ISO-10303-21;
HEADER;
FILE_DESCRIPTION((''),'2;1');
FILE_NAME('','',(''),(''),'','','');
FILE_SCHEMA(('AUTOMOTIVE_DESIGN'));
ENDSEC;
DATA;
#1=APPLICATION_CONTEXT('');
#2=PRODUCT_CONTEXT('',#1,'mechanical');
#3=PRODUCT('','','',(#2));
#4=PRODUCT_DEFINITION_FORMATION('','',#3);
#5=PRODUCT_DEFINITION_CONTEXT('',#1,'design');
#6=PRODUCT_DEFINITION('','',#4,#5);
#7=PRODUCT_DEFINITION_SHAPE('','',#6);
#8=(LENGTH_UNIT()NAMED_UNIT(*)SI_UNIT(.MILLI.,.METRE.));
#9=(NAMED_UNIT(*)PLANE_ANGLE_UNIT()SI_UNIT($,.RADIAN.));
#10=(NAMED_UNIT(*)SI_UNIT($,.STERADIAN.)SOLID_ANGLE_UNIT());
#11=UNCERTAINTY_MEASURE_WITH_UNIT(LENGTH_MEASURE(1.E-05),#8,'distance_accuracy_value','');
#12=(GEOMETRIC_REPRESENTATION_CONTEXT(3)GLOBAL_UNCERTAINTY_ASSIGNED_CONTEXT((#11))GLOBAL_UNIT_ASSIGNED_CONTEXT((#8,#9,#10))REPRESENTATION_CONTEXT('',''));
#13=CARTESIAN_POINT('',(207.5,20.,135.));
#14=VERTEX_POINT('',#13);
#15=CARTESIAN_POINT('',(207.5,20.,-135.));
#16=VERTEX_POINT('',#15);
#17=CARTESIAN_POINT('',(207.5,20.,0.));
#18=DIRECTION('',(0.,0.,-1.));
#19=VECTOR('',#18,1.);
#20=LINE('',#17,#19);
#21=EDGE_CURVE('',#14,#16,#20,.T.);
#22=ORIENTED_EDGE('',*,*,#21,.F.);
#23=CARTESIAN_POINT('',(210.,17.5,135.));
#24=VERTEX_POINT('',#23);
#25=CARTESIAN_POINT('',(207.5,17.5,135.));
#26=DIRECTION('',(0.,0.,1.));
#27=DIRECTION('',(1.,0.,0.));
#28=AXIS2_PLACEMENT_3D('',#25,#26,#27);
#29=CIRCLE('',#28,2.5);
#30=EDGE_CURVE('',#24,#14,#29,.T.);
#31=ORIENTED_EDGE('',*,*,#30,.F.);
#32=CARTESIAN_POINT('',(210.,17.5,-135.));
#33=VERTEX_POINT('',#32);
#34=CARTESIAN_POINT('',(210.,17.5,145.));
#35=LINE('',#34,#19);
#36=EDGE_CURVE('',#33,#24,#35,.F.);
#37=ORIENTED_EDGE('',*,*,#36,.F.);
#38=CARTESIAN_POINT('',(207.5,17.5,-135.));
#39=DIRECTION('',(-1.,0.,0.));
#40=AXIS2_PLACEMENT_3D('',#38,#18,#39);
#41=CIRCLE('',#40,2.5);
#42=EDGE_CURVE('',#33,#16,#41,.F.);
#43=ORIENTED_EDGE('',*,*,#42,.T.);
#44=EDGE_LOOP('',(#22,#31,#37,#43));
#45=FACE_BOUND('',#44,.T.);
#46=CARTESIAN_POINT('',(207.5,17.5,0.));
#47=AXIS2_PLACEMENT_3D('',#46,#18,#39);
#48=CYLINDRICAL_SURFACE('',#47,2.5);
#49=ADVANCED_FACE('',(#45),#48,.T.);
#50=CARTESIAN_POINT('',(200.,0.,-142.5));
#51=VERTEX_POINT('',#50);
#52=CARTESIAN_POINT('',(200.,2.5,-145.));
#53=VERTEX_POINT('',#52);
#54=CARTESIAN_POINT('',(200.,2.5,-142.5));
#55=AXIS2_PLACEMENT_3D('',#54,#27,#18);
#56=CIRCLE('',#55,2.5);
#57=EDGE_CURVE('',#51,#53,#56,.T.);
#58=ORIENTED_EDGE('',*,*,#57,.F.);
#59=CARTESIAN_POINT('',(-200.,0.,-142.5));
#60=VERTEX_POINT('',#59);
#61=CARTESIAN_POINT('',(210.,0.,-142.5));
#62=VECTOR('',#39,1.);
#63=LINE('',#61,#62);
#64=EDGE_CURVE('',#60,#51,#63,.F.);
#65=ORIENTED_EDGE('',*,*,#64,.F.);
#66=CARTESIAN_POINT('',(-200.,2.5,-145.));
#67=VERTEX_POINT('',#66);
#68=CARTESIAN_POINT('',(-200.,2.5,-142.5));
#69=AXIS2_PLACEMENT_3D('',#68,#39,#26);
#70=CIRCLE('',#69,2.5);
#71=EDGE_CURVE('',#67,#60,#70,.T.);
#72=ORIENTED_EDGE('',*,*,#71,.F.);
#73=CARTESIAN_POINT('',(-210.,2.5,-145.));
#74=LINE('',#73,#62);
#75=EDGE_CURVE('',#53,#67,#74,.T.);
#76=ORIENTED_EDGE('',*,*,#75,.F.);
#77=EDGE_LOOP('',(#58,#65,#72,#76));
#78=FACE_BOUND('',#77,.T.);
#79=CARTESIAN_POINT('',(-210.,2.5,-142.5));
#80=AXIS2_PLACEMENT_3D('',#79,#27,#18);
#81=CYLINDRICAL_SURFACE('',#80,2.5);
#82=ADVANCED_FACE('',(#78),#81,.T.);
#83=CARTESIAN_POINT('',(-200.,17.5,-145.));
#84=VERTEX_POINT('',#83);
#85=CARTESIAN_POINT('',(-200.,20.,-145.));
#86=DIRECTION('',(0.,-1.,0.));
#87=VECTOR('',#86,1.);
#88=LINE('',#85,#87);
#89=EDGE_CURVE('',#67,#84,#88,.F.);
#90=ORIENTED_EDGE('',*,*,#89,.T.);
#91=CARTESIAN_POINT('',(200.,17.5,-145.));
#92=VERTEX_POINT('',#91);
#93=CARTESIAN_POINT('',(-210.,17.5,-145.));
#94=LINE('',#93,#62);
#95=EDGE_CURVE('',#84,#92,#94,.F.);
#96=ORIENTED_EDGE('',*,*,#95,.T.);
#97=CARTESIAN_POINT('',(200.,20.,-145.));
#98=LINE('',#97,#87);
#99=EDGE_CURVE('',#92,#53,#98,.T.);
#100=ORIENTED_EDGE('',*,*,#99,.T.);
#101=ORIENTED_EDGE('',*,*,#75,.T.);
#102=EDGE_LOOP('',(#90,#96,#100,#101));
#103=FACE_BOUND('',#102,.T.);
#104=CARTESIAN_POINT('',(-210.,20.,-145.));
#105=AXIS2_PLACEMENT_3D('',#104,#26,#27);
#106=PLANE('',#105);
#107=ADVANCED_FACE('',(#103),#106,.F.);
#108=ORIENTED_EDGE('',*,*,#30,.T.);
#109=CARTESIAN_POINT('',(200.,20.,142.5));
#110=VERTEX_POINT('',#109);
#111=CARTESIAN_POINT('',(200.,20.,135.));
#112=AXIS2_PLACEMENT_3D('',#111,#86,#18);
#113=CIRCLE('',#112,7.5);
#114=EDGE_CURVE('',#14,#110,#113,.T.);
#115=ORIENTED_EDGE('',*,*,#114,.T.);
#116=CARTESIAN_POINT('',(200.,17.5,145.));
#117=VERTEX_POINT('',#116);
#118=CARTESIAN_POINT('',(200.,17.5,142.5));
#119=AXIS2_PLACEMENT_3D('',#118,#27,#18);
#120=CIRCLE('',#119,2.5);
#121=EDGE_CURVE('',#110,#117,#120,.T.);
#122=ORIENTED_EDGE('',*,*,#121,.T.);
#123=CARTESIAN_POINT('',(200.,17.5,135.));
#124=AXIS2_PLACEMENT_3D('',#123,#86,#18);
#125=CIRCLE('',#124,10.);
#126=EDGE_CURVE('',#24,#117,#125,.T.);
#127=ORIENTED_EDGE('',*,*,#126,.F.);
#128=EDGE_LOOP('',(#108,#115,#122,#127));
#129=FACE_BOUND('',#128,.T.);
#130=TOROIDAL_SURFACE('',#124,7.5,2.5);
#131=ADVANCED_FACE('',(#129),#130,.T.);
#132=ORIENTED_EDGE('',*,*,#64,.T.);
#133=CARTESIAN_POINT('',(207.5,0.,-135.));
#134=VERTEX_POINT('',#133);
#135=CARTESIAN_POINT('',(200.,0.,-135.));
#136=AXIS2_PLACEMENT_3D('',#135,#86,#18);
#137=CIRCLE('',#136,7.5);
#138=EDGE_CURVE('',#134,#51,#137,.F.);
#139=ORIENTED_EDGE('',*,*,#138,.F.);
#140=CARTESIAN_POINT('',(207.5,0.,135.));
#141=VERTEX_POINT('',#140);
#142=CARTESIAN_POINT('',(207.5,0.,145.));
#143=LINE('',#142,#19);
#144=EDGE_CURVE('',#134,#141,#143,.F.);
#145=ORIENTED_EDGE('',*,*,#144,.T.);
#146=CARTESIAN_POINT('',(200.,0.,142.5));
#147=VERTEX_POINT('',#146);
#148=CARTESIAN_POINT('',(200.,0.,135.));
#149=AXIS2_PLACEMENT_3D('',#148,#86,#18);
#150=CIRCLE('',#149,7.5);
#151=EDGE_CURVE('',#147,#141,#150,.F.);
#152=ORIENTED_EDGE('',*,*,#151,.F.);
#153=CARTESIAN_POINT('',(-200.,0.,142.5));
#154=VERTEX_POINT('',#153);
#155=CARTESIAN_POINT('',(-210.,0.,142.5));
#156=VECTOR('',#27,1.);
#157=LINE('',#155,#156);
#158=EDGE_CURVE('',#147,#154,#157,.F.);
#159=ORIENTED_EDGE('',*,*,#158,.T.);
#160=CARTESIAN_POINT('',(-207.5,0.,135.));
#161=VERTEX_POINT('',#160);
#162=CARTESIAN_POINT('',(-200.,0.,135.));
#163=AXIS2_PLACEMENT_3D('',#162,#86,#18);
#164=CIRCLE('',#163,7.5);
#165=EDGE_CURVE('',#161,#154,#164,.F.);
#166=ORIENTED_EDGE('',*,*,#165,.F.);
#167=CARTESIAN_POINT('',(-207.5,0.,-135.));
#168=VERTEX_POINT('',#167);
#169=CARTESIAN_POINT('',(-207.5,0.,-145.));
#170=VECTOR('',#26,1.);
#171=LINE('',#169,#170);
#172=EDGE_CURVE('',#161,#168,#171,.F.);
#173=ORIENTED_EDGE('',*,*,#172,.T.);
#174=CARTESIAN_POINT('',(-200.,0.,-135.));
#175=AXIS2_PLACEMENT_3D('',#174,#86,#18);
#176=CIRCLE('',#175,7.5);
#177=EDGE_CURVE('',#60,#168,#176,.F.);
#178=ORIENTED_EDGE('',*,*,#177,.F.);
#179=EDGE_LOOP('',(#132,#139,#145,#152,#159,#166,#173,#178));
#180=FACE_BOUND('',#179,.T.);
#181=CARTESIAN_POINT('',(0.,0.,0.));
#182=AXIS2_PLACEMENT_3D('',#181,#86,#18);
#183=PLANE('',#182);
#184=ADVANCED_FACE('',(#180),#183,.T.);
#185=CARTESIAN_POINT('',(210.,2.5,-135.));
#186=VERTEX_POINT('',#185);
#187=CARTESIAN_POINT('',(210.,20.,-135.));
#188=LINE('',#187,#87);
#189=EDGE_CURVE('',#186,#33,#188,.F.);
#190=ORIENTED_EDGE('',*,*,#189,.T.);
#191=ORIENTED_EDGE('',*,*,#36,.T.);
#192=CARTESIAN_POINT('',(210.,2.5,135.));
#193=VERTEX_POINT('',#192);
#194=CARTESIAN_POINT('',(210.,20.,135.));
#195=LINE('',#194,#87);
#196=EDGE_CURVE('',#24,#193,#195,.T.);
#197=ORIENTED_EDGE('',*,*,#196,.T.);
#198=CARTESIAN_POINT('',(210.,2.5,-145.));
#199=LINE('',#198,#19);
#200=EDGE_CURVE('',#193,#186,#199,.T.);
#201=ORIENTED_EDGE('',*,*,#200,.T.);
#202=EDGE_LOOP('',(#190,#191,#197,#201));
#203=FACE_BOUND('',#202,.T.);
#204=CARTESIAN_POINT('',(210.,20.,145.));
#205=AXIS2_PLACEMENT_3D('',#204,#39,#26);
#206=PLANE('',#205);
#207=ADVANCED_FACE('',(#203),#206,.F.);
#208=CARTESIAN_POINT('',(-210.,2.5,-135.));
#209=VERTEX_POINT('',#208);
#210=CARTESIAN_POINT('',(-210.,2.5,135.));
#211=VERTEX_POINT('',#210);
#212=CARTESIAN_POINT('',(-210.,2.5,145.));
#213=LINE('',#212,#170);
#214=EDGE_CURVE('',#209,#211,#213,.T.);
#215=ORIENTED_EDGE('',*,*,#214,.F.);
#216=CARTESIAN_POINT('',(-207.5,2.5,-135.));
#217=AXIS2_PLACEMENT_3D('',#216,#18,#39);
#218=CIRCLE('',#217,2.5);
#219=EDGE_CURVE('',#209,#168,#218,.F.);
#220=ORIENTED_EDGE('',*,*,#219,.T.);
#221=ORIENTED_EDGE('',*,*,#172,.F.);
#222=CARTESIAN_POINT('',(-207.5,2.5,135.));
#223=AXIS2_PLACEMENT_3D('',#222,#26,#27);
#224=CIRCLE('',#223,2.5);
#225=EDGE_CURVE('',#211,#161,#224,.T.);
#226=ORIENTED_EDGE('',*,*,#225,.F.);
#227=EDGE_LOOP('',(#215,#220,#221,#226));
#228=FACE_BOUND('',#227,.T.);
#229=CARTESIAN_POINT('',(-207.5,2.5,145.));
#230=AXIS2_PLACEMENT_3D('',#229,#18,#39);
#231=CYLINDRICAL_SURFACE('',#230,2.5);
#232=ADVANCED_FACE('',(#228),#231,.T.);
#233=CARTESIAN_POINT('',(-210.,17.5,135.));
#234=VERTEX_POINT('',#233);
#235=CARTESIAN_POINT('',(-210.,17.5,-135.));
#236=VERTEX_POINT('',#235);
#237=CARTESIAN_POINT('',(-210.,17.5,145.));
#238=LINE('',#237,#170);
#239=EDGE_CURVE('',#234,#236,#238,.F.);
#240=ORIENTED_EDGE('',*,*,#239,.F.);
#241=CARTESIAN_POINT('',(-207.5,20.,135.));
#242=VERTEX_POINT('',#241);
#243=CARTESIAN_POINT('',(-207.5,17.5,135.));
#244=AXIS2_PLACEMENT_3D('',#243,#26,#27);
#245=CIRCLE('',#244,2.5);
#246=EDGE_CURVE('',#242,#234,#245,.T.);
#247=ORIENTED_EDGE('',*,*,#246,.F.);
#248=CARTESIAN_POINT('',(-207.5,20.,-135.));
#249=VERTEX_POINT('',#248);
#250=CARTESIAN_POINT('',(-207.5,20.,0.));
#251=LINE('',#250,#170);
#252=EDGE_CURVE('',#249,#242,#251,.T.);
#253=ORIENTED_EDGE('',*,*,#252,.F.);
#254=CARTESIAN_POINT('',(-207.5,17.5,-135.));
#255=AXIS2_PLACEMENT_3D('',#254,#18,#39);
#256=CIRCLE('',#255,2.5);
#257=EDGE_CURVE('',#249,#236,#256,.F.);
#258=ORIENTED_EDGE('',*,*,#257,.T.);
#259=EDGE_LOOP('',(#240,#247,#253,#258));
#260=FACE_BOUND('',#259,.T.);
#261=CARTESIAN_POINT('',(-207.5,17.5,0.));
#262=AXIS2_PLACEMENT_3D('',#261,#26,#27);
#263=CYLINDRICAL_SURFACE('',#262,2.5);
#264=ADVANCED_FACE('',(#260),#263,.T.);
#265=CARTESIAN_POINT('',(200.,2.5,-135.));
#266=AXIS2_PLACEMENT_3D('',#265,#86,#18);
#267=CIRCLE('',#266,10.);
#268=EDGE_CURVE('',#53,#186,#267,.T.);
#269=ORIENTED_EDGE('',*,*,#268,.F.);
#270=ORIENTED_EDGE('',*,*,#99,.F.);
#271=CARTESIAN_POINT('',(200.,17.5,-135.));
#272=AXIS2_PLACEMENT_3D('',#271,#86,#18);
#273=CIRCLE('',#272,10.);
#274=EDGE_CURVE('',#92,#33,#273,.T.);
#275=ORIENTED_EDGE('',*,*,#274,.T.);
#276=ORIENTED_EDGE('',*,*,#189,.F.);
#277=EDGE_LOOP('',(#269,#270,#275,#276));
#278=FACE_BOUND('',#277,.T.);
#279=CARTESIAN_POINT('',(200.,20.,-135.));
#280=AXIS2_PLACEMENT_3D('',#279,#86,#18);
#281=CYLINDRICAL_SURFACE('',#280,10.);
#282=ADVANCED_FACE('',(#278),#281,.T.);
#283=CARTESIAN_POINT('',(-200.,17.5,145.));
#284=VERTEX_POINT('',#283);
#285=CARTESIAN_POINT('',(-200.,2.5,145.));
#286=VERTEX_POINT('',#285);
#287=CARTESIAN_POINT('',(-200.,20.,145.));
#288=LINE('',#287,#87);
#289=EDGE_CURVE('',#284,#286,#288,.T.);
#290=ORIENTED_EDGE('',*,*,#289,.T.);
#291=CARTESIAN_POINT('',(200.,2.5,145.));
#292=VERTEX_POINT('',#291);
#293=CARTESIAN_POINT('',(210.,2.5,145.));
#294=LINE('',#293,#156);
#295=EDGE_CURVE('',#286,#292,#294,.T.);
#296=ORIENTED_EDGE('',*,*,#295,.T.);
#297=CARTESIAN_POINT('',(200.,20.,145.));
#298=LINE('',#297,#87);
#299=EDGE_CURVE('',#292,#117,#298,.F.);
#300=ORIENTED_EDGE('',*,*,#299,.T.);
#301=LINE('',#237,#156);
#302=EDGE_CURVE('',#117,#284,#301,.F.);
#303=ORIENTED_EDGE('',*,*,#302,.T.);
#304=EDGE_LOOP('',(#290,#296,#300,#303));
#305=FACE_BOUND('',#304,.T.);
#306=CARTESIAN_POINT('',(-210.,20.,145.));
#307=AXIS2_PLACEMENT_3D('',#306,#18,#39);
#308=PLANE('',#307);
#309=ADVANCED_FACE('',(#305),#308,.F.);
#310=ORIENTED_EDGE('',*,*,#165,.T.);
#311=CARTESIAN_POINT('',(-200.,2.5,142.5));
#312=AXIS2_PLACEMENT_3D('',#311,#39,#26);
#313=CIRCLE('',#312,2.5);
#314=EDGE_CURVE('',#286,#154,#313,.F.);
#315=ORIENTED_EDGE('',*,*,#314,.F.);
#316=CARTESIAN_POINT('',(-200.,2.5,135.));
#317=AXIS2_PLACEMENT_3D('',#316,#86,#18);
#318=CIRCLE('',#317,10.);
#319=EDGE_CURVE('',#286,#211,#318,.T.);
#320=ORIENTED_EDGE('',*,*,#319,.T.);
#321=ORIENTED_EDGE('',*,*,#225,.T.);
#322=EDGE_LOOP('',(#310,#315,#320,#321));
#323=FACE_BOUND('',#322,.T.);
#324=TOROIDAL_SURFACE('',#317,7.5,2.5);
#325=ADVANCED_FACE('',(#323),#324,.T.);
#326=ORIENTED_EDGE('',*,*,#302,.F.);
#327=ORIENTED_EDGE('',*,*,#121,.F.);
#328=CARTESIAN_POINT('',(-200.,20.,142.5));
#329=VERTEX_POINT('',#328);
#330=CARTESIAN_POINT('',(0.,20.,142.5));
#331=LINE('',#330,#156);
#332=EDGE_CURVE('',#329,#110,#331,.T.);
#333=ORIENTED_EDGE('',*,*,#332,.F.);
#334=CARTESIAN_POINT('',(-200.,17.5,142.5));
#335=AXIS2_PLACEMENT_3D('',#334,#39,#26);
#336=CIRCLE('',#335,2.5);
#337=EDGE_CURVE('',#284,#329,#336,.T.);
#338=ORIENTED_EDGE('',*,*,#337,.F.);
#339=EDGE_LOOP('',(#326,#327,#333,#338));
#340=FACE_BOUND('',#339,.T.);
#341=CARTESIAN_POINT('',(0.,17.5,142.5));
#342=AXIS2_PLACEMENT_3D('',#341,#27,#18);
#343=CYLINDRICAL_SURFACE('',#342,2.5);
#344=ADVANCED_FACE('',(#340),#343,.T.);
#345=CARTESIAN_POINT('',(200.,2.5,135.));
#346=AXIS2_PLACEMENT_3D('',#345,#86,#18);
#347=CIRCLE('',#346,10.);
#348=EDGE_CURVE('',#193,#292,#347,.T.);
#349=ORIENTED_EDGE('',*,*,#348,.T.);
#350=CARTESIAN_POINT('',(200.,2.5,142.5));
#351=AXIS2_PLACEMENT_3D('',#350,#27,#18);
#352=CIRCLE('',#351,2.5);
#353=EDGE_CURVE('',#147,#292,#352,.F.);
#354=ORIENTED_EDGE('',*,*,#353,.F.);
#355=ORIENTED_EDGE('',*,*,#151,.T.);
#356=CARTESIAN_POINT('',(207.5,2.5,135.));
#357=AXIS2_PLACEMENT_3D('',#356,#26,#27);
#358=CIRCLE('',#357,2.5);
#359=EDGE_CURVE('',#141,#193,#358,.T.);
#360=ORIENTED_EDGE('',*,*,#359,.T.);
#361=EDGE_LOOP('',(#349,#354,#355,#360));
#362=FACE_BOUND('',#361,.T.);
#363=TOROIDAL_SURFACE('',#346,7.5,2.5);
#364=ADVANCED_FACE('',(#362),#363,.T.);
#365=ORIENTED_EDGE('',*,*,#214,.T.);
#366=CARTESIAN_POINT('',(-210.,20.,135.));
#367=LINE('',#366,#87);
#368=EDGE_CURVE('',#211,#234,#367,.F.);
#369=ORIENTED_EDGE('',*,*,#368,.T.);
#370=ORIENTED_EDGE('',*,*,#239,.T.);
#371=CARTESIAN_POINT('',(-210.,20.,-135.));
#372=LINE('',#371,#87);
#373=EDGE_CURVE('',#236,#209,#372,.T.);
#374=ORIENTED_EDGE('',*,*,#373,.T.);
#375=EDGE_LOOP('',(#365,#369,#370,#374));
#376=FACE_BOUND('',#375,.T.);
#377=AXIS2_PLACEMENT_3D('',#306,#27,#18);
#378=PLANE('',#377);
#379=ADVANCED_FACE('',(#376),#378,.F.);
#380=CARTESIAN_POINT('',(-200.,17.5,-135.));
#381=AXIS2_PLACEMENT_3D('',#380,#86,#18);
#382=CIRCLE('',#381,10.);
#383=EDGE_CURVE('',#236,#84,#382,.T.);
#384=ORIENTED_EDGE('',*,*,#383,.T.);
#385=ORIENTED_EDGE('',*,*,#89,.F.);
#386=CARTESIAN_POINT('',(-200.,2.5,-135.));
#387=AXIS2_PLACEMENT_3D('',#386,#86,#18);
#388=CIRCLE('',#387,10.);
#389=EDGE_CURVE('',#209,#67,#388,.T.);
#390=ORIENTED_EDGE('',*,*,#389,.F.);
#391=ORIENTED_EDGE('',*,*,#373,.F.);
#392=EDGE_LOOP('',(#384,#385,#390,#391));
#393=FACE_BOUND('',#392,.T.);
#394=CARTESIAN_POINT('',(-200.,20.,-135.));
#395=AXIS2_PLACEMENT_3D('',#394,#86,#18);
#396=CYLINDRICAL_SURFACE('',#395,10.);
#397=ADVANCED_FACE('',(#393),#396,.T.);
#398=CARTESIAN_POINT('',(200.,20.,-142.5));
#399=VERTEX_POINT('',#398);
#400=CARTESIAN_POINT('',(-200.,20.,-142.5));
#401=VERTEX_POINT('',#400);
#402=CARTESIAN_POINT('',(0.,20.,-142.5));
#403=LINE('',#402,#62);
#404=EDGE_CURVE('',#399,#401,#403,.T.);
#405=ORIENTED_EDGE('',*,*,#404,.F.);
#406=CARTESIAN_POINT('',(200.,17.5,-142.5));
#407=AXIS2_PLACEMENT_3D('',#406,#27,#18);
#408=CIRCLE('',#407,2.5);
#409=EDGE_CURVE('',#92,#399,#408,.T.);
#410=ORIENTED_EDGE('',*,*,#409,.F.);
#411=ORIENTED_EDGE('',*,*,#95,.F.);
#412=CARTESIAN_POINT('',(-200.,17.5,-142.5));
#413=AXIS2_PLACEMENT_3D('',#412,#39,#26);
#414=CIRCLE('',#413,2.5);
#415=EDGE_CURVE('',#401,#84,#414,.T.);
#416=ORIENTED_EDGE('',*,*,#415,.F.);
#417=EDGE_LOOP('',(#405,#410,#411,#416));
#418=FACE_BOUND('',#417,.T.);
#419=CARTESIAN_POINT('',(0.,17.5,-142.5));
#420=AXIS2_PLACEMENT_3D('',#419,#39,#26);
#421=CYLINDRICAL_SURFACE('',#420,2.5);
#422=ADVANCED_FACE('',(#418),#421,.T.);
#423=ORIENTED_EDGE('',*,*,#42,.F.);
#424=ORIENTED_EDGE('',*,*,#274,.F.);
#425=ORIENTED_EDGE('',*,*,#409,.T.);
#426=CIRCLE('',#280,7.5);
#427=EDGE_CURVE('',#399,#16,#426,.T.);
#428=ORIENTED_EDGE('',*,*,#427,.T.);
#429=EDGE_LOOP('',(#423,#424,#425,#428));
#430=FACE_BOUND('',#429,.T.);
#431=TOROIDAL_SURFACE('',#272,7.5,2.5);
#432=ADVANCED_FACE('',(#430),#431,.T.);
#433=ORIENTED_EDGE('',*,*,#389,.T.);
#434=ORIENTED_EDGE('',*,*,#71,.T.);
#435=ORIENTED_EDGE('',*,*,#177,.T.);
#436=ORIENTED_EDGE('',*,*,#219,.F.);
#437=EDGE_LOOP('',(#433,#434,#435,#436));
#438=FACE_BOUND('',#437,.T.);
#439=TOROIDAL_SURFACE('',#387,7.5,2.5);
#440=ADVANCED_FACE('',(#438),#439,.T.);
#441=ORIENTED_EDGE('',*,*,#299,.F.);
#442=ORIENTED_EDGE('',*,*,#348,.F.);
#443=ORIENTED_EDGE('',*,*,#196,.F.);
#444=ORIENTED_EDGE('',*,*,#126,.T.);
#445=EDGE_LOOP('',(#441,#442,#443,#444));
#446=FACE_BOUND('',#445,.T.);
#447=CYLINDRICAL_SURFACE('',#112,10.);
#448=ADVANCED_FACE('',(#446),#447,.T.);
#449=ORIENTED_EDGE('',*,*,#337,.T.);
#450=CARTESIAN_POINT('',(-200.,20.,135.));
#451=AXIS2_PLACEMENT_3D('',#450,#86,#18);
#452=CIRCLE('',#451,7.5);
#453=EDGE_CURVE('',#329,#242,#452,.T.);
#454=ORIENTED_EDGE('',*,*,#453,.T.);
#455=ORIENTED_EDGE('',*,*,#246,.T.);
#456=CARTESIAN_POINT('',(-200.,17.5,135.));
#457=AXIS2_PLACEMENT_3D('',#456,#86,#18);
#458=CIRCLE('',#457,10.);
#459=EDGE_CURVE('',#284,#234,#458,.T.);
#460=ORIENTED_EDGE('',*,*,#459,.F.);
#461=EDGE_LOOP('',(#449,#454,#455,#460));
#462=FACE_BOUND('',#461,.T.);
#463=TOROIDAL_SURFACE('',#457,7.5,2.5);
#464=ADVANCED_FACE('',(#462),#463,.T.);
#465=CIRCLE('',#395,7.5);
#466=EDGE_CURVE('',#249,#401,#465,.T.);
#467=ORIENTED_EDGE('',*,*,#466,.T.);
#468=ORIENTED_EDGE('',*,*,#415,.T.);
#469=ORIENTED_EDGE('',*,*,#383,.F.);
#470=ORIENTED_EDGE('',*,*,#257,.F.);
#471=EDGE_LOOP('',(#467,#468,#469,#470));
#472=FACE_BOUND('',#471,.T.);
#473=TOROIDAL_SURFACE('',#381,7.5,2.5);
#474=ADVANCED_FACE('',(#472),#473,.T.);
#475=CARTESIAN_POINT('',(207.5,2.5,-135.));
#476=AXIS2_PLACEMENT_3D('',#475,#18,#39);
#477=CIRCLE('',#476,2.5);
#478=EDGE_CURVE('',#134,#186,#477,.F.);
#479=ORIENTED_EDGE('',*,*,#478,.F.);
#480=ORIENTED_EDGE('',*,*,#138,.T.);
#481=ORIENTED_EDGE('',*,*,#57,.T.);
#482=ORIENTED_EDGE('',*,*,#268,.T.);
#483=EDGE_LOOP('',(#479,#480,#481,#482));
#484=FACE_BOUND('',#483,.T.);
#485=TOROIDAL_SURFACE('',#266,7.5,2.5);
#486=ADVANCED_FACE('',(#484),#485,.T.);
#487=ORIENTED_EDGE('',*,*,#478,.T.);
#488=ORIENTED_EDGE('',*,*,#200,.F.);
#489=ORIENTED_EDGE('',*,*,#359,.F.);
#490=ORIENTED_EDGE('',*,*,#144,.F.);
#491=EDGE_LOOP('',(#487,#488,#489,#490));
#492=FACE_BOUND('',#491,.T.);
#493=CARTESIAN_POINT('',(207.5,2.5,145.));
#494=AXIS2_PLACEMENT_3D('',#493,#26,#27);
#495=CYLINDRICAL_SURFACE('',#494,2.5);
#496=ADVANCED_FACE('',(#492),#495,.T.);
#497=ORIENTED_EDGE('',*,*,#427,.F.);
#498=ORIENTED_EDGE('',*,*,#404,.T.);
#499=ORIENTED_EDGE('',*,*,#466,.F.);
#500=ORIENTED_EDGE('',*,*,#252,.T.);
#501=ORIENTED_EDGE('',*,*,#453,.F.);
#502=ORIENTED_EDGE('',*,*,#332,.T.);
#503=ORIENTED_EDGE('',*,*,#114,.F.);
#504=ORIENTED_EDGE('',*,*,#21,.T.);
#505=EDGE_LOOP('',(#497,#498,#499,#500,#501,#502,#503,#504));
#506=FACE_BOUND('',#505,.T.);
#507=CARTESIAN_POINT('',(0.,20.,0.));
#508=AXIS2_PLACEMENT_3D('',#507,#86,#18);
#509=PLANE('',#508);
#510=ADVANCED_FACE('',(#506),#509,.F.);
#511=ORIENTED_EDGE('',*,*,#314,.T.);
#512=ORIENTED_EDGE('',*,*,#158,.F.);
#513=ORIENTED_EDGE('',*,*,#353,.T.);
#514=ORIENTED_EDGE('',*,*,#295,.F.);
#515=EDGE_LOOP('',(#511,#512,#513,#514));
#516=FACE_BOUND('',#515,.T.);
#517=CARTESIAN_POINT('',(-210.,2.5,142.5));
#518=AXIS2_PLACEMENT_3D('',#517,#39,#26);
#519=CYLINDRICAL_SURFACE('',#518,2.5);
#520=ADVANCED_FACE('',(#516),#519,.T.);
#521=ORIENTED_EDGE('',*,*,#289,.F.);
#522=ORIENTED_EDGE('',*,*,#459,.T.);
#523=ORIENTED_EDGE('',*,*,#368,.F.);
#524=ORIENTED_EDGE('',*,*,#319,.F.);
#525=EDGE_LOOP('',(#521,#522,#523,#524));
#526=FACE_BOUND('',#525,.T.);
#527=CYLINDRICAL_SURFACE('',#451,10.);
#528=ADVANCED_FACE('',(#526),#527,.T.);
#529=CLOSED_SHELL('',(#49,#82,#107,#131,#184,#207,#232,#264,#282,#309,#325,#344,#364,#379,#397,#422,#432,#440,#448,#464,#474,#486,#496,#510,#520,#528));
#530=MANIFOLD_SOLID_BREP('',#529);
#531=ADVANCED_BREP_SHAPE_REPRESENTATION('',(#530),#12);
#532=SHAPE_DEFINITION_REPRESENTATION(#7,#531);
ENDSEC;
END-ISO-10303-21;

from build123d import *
from OCP.BRepFilletAPI import BRepFilletAPI_MakeFillet

# Parameters (mm, degrees)
SKETCH1_W           = 420
SKETCH1_H           = 290
BOSS_EXTRUDE1_DEPTH = 20
FILLET1_R1          = 10
FILLET1_R2          = 2.5


with BuildPart() as part:
    # Sketch1 → Boss-Extrude1 (new body)
    with BuildSketch(Plane(origin=(0, 0, 0), x_dir=(1, 0, 0), z_dir=(0, 1, 0))):
        Rectangle(SKETCH1_W, SKETCH1_H)
    extrude(amount=BOSS_EXTRUDE1_DEPTH)

    # Fillet1: one fillet with a radius per group of edges: ONE call of the kernel's fillet builder (fillet() takes one radius for all edges)
    fillet1_edges_1 = [part.edges().sort_by_distance(p)[0] for p in [
        (210, 10, 145),
        (-210, 10, 145),
        (-210, 10, -145),
        (210, 10, -145),
    ]]
    fillet1_edges_2 = [part.edges().sort_by_distance(p)[0] for p in [
        (210, 20, 0),
        (210, 0, 0),
        (0, 20, -145),
        (0, 0, -145),
        (-210, 20, 0),
        (-210, 0, 0),
        (0, 20, 145),
        (0, 0, 145),
    ]]
    fillet1 = BRepFilletAPI_MakeFillet(part.part.solid().wrapped)
    for e in fillet1_edges_1:
        fillet1.Add(FILLET1_R1, e.wrapped)
    for e in fillet1_edges_2:
        fillet1.Add(FILLET1_R2, e.wrapped)
    add(Compound.cast(fillet1.Shape()), mode=Mode.REPLACE)


solid = part.part
